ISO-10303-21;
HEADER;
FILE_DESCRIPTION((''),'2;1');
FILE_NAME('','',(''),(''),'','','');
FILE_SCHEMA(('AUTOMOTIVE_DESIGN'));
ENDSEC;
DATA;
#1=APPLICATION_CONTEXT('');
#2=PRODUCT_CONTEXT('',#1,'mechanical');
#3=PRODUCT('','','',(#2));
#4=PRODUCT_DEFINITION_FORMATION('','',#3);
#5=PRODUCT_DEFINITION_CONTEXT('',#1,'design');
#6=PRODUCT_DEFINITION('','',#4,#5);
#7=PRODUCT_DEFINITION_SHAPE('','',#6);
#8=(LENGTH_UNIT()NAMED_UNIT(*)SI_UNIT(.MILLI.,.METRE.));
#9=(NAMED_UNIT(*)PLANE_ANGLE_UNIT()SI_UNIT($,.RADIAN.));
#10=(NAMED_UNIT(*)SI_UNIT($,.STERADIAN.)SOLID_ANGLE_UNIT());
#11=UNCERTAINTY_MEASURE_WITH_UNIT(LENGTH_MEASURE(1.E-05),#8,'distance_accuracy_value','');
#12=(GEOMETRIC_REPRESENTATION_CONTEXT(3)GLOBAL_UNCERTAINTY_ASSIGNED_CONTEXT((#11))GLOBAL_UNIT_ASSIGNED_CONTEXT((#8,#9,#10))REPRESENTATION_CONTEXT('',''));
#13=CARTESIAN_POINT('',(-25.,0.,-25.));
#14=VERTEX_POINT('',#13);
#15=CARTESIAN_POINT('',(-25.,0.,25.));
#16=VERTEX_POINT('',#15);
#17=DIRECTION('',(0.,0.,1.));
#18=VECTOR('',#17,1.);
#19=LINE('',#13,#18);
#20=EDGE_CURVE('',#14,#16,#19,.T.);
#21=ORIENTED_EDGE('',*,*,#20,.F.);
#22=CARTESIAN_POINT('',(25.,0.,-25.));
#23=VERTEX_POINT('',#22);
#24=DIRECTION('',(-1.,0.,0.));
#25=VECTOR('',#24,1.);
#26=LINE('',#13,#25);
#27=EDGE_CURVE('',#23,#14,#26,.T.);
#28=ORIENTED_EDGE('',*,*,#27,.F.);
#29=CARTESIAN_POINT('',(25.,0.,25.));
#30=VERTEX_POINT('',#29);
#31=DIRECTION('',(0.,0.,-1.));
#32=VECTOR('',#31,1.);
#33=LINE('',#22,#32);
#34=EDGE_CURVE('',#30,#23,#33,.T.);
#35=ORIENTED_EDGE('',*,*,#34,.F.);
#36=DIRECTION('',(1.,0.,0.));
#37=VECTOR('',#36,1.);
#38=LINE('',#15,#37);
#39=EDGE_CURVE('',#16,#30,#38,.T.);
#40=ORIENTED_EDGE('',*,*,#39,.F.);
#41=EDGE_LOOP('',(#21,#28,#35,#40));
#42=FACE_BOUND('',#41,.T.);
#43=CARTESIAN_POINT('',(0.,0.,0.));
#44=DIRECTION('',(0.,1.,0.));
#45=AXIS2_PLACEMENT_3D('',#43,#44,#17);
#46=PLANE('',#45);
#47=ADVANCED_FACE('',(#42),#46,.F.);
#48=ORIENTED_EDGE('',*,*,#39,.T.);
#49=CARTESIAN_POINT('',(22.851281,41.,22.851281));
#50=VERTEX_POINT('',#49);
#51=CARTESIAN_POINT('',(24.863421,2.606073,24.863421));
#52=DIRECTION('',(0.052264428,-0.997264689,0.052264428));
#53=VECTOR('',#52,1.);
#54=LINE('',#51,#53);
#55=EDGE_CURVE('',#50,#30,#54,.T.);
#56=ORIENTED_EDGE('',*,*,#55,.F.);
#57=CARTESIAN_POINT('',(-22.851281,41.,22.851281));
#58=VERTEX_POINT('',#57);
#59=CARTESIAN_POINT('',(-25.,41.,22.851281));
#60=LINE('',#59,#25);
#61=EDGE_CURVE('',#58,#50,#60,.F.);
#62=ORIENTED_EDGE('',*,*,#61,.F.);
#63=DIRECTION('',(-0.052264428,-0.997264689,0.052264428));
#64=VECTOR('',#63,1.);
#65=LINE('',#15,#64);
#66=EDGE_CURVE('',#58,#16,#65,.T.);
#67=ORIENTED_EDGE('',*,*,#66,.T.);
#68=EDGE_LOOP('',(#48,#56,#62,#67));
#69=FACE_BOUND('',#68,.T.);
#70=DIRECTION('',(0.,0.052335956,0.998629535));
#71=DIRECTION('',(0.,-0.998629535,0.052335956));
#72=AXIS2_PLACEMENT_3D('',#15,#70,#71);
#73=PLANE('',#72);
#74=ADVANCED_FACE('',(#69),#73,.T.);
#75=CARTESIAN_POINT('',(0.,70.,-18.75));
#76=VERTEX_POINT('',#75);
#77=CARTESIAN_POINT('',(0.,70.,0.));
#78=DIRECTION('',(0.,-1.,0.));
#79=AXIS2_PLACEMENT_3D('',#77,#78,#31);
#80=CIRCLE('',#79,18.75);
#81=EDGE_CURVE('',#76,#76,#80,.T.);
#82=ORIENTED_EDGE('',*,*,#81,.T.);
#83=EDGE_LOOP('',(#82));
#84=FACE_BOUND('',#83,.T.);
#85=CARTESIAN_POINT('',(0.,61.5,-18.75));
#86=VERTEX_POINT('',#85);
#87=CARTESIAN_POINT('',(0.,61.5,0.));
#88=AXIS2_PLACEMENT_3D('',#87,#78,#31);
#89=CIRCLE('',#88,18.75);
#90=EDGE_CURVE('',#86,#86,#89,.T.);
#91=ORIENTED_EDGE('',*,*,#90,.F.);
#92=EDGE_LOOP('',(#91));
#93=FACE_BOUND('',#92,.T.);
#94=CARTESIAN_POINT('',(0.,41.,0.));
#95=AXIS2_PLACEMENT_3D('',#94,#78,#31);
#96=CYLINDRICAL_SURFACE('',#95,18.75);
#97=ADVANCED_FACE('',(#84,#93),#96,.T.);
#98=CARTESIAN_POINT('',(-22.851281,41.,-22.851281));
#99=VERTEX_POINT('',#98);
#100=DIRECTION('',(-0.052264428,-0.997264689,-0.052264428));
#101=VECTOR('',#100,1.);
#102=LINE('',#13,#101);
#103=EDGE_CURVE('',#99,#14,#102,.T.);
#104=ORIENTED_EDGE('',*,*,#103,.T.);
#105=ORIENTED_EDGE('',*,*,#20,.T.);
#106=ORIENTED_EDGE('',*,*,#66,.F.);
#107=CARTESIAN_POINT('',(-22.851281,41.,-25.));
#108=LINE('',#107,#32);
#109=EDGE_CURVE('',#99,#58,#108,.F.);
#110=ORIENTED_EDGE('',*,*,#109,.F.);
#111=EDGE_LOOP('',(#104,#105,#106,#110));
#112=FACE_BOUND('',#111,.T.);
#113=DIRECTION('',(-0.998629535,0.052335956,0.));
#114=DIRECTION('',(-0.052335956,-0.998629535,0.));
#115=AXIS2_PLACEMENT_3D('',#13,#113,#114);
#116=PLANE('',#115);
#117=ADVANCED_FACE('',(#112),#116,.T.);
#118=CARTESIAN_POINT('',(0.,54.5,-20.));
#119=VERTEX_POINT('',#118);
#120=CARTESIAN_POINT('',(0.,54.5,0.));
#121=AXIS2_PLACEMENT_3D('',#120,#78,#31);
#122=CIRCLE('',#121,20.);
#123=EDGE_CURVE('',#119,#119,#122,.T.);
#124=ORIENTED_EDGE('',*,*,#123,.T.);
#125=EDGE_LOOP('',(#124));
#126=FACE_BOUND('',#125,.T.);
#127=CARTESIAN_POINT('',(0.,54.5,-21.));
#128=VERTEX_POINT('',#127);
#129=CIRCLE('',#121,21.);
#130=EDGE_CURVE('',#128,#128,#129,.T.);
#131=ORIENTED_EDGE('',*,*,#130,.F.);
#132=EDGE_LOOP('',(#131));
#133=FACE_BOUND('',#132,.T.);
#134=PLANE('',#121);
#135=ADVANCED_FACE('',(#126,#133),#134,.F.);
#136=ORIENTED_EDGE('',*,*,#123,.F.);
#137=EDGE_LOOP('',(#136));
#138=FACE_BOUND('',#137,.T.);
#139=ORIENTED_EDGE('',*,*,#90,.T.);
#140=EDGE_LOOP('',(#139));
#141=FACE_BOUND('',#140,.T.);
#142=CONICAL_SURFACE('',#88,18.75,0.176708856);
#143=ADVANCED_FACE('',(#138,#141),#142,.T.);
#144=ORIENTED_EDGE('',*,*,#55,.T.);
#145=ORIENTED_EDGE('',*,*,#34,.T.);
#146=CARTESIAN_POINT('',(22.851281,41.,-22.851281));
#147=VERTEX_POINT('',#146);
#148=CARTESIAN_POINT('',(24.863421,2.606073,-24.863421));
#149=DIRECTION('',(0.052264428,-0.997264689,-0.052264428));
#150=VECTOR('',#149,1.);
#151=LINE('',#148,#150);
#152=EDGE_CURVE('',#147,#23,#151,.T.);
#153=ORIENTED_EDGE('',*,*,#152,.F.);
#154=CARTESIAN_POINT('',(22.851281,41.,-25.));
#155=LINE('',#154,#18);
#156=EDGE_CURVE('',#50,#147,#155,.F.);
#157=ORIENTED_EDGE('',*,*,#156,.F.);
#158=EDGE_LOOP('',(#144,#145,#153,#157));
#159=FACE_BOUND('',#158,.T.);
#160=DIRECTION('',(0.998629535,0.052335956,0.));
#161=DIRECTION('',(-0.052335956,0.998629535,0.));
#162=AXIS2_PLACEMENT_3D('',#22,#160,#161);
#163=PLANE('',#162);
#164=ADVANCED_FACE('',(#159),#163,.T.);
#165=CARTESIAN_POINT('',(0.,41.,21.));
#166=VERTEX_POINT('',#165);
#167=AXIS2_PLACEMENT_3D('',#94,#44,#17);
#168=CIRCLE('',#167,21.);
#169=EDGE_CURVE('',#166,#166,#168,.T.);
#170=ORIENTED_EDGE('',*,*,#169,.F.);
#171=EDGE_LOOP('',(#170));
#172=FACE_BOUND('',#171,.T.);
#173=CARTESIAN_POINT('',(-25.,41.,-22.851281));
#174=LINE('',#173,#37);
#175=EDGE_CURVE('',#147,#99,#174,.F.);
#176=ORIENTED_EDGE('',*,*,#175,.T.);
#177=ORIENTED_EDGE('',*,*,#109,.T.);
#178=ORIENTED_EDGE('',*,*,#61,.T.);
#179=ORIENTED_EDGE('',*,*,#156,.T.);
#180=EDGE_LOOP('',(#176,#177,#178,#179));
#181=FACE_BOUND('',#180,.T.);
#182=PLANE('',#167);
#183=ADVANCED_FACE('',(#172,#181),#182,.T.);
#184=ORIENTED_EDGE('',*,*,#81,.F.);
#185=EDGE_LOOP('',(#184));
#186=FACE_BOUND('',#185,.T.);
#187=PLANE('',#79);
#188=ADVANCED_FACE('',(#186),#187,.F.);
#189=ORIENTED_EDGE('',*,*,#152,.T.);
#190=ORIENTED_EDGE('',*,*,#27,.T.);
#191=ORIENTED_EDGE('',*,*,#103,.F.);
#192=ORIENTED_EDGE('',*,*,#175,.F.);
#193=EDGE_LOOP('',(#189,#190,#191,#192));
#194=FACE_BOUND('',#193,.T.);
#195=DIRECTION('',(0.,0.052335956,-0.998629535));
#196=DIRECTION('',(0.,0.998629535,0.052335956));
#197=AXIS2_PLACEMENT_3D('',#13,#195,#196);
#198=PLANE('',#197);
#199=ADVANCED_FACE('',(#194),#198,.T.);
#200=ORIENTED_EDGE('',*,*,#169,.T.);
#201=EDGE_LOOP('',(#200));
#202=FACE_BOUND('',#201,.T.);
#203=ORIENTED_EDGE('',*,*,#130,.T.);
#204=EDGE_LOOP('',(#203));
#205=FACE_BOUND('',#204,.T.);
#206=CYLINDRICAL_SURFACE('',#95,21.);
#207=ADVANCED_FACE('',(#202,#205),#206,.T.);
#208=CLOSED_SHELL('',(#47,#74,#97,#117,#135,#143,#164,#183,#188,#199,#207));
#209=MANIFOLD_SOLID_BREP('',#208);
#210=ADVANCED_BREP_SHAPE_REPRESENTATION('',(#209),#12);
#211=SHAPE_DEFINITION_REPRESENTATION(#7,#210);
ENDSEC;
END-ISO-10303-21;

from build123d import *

# Parameters (mm, degrees)
ESBO_O1_W                = 50
ESBO_O1_H                = 50
RESSALTO_EXTRUS_O1_DEPTH = 41
RESSALTO_EXTRUS_O1_TAPER = 3


with BuildPart() as part:
    # Esboço1 → Ressalto-extrusão1 (new body)
    with BuildSketch(Plane(origin=(0, 0, 0), x_dir=(1, 0, 0), z_dir=(0, 1, 0))):
        Rectangle(ESBO_O1_W, ESBO_O1_H)
    extrude(amount=RESSALTO_EXTRUS_O1_DEPTH, taper=RESSALTO_EXTRUS_O1_TAPER)

    # Esboço2 → Revolução1 (revolve)
    with BuildSketch(Plane(origin=(0, 0, 0), x_dir=(0, 0, -1), z_dir=(1, 0, 0))):
        Polygon((0, 41), (0, 70), (18.75, 70), (18.75, 61.5), (20, 54.5), (21, 54.5), (21, 41), align=None)
    revolve(axis=Axis((0, 41, 0), (0, 1, 0)))


solid = part.part
